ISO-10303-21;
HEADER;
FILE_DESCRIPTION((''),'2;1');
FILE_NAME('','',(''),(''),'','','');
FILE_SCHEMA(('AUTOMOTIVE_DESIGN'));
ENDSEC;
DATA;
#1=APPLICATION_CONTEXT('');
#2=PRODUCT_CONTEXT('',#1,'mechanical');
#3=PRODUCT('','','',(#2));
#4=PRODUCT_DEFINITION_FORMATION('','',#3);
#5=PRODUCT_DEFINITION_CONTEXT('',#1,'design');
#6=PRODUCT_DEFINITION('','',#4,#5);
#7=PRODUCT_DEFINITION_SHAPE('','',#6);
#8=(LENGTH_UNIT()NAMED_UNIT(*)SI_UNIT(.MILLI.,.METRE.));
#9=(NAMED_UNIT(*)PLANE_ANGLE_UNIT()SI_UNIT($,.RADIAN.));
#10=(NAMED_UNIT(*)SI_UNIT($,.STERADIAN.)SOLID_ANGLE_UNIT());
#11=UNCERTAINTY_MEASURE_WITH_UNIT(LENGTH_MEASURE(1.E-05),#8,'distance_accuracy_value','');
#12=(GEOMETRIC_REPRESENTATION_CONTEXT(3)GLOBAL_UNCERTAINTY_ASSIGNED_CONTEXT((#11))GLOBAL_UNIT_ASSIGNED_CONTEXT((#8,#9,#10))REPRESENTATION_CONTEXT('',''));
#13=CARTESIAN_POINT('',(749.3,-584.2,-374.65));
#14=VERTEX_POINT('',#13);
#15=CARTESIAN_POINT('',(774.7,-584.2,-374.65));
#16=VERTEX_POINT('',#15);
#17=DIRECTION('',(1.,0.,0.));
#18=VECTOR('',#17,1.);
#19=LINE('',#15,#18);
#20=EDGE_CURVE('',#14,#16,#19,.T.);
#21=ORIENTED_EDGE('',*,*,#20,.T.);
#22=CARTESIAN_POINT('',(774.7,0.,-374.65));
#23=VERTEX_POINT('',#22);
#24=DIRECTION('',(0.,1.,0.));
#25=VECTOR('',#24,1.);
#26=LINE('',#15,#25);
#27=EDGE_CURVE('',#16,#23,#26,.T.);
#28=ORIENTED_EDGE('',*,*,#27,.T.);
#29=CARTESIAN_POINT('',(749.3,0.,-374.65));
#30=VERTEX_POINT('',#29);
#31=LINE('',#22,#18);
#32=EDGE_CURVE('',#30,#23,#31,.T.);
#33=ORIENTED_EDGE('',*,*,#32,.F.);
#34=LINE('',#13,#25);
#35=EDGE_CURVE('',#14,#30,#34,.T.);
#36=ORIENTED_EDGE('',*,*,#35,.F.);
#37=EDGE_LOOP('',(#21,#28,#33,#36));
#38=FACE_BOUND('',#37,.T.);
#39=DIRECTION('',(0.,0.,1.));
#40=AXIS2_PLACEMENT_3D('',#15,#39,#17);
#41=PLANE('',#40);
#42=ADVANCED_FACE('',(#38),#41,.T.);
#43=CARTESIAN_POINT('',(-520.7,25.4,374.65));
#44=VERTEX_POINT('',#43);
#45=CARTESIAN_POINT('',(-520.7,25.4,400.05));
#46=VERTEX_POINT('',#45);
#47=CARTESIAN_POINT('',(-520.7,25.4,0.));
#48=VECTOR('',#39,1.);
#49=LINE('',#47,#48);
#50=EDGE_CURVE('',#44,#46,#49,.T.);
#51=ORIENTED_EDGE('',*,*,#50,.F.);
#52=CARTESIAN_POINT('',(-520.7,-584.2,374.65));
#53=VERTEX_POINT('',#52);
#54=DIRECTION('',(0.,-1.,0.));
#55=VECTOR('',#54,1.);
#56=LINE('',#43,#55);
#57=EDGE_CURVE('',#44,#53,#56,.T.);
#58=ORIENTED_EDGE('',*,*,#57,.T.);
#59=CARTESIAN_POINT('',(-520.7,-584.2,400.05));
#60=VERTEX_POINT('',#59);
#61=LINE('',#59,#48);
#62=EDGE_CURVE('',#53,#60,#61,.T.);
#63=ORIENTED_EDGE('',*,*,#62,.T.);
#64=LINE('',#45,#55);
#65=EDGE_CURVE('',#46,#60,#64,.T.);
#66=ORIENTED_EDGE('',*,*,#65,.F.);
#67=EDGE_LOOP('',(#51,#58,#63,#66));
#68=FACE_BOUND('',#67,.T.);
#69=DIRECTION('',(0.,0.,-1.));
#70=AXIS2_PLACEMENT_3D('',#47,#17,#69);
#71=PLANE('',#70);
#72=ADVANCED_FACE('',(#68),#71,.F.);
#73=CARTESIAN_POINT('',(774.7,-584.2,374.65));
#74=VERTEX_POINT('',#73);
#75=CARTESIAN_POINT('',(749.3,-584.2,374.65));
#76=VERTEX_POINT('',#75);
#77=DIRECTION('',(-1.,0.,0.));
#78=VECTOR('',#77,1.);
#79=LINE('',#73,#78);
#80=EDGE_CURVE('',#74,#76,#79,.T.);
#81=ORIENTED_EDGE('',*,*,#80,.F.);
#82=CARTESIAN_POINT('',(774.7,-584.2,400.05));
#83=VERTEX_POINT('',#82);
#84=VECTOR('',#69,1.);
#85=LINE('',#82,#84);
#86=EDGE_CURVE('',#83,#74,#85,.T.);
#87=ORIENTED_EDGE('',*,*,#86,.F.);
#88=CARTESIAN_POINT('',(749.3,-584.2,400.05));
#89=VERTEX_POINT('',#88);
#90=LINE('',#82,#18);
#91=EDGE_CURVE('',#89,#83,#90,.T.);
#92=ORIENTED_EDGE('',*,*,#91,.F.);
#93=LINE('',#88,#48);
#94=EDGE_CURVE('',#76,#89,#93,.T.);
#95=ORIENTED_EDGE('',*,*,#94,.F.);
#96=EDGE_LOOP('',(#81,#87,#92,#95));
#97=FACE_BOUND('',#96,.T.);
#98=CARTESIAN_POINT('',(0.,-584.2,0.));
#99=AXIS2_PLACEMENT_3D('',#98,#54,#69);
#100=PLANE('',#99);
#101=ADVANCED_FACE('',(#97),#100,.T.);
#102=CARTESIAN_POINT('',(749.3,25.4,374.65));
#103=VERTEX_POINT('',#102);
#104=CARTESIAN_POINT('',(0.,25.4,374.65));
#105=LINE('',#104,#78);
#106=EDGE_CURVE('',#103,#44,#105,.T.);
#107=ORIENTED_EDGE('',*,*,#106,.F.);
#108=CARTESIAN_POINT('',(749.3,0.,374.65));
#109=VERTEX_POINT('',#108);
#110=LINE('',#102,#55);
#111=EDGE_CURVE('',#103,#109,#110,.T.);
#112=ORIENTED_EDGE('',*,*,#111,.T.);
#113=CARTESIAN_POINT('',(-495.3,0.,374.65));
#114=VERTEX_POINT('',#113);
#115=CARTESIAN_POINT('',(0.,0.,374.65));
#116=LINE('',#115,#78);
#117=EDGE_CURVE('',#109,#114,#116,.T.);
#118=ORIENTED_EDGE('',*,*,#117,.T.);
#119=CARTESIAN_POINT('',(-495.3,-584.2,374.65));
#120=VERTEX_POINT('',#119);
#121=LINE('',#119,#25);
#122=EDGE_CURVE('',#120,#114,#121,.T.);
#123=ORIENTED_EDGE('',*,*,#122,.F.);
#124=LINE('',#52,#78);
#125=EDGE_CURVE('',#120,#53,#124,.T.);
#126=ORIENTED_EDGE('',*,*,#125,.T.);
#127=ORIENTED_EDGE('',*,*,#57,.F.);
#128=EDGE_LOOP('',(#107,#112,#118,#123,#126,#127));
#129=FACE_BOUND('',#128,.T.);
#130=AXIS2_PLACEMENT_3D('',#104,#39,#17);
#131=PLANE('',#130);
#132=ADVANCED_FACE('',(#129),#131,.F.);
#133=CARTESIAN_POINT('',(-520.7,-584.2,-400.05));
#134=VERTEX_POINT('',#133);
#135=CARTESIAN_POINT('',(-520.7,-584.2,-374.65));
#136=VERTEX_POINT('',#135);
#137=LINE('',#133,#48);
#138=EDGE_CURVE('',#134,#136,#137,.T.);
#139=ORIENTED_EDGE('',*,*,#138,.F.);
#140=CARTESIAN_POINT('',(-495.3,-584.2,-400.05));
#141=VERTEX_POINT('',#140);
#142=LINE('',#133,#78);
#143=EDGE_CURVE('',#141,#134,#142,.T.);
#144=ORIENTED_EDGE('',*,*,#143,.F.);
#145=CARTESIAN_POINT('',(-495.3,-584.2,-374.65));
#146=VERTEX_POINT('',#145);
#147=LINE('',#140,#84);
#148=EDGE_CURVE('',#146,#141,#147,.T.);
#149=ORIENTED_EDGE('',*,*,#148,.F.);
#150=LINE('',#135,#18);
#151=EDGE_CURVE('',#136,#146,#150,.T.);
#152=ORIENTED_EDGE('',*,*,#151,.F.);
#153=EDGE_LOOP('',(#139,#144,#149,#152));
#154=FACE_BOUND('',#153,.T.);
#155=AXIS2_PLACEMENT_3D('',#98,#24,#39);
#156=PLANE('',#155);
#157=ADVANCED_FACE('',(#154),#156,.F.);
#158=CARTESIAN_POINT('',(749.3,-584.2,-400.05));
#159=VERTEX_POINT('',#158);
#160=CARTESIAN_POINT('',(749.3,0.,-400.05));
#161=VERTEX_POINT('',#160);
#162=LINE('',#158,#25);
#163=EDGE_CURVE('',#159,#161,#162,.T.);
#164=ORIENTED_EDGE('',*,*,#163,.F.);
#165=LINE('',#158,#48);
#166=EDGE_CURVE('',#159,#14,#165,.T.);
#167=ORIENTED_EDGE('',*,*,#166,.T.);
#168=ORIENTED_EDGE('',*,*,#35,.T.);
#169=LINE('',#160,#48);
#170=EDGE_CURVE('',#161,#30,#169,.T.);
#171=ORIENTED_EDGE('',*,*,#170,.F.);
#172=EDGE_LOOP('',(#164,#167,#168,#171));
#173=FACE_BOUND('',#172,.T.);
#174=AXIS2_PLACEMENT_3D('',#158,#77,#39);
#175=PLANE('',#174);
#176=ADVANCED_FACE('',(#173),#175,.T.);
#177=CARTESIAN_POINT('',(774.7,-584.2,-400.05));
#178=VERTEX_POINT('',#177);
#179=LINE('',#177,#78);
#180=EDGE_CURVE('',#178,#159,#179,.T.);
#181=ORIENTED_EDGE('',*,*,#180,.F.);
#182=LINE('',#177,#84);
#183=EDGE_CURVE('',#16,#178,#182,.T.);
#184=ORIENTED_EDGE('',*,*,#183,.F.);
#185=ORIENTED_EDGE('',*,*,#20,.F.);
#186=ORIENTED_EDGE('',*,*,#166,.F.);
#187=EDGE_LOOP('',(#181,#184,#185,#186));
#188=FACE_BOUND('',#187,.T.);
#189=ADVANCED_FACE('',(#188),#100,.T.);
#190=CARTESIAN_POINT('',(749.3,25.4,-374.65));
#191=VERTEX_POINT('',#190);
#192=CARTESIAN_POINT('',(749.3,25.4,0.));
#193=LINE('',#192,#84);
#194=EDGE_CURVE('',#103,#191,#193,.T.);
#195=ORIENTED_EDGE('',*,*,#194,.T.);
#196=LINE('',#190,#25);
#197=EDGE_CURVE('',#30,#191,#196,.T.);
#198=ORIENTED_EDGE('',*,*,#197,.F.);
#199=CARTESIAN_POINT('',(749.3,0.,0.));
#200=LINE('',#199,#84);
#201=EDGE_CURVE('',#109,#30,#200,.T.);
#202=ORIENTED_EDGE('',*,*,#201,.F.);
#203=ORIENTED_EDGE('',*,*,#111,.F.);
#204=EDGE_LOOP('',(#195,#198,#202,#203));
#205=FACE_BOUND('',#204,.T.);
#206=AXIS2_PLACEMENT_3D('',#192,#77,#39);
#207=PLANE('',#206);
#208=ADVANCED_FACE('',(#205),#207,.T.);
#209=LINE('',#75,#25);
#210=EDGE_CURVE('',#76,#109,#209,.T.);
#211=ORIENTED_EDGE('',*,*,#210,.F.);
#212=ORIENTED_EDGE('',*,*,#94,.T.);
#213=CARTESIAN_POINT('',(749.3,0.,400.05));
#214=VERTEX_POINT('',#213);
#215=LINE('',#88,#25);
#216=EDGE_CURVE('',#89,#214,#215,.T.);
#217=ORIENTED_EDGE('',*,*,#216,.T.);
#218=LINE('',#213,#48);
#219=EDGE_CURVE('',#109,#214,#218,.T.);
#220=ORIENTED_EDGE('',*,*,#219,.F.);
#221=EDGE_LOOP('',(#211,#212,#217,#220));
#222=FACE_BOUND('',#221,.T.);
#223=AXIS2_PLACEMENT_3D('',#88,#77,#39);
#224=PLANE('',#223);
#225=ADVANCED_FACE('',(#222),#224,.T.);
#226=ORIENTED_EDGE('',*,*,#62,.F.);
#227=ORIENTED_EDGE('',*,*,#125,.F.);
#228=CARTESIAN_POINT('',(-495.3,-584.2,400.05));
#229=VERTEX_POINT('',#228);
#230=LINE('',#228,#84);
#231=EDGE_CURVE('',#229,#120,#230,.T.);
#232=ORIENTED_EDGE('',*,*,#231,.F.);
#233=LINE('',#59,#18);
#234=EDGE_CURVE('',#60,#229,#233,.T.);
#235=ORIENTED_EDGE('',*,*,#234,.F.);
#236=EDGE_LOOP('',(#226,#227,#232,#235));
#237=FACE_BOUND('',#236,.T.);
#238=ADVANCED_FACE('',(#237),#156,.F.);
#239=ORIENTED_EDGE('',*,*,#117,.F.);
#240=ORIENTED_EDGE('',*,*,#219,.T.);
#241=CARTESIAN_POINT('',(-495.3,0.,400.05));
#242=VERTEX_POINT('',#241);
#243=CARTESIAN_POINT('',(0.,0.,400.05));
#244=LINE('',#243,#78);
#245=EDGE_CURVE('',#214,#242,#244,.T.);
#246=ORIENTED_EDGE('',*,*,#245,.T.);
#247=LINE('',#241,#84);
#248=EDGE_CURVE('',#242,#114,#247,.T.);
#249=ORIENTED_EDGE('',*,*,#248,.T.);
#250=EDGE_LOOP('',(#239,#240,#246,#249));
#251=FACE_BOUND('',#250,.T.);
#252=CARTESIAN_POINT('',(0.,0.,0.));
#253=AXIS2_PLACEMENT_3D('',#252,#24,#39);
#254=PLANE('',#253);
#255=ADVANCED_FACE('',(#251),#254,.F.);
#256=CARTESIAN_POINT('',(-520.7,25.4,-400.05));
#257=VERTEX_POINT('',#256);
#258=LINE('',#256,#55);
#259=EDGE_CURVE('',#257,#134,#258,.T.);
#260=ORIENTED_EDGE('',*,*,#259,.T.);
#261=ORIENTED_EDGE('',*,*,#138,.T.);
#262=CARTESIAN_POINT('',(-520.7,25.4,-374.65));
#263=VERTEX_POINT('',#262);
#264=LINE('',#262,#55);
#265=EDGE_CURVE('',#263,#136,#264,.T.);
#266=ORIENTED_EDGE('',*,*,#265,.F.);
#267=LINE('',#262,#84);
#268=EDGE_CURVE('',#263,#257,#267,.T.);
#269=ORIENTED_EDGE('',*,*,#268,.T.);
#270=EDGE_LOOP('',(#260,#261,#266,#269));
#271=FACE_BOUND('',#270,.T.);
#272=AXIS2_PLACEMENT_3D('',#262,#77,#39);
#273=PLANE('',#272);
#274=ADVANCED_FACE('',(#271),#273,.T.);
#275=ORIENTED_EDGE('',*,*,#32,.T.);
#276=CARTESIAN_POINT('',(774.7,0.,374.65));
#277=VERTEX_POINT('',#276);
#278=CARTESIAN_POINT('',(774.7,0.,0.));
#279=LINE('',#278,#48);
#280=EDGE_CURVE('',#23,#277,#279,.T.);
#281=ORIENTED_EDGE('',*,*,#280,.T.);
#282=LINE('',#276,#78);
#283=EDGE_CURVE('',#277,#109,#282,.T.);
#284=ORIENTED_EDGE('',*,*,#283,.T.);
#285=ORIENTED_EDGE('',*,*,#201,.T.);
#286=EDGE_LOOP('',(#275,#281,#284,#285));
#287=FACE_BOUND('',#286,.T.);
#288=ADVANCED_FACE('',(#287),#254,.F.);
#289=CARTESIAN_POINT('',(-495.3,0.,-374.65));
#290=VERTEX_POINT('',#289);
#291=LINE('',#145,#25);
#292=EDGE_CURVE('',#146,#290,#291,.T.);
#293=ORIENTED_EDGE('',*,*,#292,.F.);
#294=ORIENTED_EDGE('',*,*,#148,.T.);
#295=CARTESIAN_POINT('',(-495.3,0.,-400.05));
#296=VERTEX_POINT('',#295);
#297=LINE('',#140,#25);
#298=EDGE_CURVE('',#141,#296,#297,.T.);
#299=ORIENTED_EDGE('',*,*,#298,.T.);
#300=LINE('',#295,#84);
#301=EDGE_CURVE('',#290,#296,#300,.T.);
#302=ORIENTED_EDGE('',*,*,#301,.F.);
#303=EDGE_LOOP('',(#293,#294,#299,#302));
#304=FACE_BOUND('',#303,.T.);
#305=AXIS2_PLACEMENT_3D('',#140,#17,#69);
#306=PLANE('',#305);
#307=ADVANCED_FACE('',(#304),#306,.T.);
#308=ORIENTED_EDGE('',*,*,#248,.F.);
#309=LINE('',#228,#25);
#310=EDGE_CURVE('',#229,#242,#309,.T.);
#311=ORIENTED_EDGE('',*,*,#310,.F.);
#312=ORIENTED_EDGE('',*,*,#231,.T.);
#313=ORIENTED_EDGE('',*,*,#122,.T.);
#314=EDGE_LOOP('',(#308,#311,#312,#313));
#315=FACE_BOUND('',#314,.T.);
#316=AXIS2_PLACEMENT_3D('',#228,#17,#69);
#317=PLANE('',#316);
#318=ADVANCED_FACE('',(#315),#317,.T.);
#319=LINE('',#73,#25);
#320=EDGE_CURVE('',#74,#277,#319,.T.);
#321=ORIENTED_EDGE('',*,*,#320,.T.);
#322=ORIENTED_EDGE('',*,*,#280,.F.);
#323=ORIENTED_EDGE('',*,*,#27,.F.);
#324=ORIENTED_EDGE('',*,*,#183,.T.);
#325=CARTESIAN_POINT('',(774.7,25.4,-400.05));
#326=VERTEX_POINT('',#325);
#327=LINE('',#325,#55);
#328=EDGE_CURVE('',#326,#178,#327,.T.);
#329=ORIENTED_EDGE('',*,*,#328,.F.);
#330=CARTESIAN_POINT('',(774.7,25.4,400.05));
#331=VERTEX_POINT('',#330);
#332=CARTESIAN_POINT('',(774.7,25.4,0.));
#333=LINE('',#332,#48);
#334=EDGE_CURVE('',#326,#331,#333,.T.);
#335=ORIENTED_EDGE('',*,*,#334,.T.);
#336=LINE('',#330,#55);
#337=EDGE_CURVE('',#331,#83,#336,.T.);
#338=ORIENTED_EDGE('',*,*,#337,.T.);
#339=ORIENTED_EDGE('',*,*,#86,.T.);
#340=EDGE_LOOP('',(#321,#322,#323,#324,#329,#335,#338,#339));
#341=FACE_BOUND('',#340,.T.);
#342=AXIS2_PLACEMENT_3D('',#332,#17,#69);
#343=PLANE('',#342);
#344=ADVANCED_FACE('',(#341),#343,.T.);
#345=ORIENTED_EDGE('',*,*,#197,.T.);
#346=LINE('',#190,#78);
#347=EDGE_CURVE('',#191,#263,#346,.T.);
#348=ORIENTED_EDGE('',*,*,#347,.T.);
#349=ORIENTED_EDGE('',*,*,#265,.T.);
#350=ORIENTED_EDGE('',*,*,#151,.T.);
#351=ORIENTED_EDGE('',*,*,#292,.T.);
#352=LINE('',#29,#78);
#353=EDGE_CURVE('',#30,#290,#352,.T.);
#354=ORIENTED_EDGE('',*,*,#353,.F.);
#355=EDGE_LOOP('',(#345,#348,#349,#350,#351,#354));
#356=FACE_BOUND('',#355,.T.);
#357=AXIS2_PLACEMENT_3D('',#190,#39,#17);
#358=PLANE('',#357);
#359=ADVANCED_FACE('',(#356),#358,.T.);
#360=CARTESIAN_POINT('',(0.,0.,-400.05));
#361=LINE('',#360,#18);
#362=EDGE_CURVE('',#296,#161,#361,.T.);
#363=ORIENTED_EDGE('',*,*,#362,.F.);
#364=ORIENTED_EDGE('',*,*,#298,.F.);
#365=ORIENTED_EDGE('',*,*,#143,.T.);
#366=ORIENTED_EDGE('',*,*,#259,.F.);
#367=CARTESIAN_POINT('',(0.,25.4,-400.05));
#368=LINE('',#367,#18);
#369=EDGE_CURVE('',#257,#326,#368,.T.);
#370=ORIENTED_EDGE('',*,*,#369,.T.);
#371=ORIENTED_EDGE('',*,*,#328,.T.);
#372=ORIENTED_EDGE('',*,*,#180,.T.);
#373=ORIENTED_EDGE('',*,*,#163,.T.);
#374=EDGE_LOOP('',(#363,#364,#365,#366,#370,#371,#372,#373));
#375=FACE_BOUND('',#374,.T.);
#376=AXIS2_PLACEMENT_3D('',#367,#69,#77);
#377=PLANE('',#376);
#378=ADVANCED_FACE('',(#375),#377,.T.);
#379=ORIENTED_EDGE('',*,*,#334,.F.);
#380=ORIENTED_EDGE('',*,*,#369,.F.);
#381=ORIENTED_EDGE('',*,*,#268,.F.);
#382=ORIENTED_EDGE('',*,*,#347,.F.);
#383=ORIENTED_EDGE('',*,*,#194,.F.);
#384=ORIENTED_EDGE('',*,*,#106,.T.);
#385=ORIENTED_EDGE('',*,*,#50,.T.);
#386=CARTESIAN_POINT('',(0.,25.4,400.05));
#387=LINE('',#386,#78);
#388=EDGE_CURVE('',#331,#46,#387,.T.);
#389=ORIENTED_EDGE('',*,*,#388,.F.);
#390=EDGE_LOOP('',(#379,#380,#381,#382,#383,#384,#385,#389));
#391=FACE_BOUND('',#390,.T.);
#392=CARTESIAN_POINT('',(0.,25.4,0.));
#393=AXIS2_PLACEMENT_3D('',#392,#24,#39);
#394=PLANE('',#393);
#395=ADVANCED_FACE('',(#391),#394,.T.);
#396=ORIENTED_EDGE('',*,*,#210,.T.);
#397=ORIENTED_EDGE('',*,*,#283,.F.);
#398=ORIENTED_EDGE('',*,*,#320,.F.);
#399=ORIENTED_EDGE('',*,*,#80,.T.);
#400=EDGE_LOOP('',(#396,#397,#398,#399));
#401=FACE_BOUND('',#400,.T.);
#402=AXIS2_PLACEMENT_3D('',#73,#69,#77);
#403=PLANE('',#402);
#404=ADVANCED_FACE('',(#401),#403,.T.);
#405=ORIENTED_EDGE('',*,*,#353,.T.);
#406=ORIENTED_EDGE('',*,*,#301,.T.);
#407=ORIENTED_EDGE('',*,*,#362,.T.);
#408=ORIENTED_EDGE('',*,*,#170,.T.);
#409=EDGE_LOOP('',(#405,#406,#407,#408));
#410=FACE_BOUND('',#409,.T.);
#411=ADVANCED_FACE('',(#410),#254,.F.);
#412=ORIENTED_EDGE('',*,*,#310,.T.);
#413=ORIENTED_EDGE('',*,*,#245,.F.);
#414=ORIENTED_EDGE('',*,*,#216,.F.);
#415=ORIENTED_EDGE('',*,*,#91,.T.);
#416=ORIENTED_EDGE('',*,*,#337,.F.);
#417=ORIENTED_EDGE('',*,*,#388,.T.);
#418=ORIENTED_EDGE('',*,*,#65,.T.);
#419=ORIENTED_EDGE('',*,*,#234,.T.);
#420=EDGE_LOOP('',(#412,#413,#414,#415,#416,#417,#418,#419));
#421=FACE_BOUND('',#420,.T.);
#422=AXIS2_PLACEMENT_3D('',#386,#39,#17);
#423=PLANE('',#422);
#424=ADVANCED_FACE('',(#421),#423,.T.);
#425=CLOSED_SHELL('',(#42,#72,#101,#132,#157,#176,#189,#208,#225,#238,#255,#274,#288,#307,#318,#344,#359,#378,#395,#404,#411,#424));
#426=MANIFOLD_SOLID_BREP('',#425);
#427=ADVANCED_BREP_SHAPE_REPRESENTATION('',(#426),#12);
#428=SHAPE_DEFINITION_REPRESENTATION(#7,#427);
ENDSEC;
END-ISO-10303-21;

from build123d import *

# Parameters (mm, degrees)
SKETCH1_W           = 1270
SKETCH1_H           = 25.4
BOSS_EXTRUDE1_DEPTH = 25.4
SKETCH2_W           = 25.4
SKETCH2_H           = 25.4
BOSS_EXTRUDE2_DEPTH = 584.2


with BuildPart() as part:
    # Sketch1 → Boss-Extrude1 (new body)
    with BuildSketch(Plane(origin=(0, 0, 0), x_dir=(1, 0, 0), z_dir=(0, 1, 0))):
        with Locations((114.3, -387.35)):
            Rectangle(SKETCH1_W, SKETCH1_H)
        Polygon((749.3, 374.65), (749.3, -374.65), (749.3, -400.05), (774.7, -400.05), (774.7, 400.05), (749.3, 400.05), align=None)
        with Locations((114.3, 387.35)):
            Rectangle(SKETCH1_W, SKETCH1_H)
    extrude(amount=BOSS_EXTRUDE1_DEPTH)

    # Sketch2 → Boss-Extrude2 (add)
    with BuildSketch(Plane(origin=(0, 0, 0), x_dir=(1, 0, 0), z_dir=(0, 1, 0))):
        with Locations((-508, 387.35)):
            Rectangle(SKETCH2_W, SKETCH2_H)
        with Locations((762, 387.35)):
            Rectangle(SKETCH2_W, SKETCH2_H)
        with Locations((762, -387.35)):
            Rectangle(SKETCH2_W, SKETCH2_H)
        with Locations((-508, -387.35)):
            Rectangle(SKETCH2_W, SKETCH2_H)
    extrude(amount=-BOSS_EXTRUDE2_DEPTH)


solid = part.part
